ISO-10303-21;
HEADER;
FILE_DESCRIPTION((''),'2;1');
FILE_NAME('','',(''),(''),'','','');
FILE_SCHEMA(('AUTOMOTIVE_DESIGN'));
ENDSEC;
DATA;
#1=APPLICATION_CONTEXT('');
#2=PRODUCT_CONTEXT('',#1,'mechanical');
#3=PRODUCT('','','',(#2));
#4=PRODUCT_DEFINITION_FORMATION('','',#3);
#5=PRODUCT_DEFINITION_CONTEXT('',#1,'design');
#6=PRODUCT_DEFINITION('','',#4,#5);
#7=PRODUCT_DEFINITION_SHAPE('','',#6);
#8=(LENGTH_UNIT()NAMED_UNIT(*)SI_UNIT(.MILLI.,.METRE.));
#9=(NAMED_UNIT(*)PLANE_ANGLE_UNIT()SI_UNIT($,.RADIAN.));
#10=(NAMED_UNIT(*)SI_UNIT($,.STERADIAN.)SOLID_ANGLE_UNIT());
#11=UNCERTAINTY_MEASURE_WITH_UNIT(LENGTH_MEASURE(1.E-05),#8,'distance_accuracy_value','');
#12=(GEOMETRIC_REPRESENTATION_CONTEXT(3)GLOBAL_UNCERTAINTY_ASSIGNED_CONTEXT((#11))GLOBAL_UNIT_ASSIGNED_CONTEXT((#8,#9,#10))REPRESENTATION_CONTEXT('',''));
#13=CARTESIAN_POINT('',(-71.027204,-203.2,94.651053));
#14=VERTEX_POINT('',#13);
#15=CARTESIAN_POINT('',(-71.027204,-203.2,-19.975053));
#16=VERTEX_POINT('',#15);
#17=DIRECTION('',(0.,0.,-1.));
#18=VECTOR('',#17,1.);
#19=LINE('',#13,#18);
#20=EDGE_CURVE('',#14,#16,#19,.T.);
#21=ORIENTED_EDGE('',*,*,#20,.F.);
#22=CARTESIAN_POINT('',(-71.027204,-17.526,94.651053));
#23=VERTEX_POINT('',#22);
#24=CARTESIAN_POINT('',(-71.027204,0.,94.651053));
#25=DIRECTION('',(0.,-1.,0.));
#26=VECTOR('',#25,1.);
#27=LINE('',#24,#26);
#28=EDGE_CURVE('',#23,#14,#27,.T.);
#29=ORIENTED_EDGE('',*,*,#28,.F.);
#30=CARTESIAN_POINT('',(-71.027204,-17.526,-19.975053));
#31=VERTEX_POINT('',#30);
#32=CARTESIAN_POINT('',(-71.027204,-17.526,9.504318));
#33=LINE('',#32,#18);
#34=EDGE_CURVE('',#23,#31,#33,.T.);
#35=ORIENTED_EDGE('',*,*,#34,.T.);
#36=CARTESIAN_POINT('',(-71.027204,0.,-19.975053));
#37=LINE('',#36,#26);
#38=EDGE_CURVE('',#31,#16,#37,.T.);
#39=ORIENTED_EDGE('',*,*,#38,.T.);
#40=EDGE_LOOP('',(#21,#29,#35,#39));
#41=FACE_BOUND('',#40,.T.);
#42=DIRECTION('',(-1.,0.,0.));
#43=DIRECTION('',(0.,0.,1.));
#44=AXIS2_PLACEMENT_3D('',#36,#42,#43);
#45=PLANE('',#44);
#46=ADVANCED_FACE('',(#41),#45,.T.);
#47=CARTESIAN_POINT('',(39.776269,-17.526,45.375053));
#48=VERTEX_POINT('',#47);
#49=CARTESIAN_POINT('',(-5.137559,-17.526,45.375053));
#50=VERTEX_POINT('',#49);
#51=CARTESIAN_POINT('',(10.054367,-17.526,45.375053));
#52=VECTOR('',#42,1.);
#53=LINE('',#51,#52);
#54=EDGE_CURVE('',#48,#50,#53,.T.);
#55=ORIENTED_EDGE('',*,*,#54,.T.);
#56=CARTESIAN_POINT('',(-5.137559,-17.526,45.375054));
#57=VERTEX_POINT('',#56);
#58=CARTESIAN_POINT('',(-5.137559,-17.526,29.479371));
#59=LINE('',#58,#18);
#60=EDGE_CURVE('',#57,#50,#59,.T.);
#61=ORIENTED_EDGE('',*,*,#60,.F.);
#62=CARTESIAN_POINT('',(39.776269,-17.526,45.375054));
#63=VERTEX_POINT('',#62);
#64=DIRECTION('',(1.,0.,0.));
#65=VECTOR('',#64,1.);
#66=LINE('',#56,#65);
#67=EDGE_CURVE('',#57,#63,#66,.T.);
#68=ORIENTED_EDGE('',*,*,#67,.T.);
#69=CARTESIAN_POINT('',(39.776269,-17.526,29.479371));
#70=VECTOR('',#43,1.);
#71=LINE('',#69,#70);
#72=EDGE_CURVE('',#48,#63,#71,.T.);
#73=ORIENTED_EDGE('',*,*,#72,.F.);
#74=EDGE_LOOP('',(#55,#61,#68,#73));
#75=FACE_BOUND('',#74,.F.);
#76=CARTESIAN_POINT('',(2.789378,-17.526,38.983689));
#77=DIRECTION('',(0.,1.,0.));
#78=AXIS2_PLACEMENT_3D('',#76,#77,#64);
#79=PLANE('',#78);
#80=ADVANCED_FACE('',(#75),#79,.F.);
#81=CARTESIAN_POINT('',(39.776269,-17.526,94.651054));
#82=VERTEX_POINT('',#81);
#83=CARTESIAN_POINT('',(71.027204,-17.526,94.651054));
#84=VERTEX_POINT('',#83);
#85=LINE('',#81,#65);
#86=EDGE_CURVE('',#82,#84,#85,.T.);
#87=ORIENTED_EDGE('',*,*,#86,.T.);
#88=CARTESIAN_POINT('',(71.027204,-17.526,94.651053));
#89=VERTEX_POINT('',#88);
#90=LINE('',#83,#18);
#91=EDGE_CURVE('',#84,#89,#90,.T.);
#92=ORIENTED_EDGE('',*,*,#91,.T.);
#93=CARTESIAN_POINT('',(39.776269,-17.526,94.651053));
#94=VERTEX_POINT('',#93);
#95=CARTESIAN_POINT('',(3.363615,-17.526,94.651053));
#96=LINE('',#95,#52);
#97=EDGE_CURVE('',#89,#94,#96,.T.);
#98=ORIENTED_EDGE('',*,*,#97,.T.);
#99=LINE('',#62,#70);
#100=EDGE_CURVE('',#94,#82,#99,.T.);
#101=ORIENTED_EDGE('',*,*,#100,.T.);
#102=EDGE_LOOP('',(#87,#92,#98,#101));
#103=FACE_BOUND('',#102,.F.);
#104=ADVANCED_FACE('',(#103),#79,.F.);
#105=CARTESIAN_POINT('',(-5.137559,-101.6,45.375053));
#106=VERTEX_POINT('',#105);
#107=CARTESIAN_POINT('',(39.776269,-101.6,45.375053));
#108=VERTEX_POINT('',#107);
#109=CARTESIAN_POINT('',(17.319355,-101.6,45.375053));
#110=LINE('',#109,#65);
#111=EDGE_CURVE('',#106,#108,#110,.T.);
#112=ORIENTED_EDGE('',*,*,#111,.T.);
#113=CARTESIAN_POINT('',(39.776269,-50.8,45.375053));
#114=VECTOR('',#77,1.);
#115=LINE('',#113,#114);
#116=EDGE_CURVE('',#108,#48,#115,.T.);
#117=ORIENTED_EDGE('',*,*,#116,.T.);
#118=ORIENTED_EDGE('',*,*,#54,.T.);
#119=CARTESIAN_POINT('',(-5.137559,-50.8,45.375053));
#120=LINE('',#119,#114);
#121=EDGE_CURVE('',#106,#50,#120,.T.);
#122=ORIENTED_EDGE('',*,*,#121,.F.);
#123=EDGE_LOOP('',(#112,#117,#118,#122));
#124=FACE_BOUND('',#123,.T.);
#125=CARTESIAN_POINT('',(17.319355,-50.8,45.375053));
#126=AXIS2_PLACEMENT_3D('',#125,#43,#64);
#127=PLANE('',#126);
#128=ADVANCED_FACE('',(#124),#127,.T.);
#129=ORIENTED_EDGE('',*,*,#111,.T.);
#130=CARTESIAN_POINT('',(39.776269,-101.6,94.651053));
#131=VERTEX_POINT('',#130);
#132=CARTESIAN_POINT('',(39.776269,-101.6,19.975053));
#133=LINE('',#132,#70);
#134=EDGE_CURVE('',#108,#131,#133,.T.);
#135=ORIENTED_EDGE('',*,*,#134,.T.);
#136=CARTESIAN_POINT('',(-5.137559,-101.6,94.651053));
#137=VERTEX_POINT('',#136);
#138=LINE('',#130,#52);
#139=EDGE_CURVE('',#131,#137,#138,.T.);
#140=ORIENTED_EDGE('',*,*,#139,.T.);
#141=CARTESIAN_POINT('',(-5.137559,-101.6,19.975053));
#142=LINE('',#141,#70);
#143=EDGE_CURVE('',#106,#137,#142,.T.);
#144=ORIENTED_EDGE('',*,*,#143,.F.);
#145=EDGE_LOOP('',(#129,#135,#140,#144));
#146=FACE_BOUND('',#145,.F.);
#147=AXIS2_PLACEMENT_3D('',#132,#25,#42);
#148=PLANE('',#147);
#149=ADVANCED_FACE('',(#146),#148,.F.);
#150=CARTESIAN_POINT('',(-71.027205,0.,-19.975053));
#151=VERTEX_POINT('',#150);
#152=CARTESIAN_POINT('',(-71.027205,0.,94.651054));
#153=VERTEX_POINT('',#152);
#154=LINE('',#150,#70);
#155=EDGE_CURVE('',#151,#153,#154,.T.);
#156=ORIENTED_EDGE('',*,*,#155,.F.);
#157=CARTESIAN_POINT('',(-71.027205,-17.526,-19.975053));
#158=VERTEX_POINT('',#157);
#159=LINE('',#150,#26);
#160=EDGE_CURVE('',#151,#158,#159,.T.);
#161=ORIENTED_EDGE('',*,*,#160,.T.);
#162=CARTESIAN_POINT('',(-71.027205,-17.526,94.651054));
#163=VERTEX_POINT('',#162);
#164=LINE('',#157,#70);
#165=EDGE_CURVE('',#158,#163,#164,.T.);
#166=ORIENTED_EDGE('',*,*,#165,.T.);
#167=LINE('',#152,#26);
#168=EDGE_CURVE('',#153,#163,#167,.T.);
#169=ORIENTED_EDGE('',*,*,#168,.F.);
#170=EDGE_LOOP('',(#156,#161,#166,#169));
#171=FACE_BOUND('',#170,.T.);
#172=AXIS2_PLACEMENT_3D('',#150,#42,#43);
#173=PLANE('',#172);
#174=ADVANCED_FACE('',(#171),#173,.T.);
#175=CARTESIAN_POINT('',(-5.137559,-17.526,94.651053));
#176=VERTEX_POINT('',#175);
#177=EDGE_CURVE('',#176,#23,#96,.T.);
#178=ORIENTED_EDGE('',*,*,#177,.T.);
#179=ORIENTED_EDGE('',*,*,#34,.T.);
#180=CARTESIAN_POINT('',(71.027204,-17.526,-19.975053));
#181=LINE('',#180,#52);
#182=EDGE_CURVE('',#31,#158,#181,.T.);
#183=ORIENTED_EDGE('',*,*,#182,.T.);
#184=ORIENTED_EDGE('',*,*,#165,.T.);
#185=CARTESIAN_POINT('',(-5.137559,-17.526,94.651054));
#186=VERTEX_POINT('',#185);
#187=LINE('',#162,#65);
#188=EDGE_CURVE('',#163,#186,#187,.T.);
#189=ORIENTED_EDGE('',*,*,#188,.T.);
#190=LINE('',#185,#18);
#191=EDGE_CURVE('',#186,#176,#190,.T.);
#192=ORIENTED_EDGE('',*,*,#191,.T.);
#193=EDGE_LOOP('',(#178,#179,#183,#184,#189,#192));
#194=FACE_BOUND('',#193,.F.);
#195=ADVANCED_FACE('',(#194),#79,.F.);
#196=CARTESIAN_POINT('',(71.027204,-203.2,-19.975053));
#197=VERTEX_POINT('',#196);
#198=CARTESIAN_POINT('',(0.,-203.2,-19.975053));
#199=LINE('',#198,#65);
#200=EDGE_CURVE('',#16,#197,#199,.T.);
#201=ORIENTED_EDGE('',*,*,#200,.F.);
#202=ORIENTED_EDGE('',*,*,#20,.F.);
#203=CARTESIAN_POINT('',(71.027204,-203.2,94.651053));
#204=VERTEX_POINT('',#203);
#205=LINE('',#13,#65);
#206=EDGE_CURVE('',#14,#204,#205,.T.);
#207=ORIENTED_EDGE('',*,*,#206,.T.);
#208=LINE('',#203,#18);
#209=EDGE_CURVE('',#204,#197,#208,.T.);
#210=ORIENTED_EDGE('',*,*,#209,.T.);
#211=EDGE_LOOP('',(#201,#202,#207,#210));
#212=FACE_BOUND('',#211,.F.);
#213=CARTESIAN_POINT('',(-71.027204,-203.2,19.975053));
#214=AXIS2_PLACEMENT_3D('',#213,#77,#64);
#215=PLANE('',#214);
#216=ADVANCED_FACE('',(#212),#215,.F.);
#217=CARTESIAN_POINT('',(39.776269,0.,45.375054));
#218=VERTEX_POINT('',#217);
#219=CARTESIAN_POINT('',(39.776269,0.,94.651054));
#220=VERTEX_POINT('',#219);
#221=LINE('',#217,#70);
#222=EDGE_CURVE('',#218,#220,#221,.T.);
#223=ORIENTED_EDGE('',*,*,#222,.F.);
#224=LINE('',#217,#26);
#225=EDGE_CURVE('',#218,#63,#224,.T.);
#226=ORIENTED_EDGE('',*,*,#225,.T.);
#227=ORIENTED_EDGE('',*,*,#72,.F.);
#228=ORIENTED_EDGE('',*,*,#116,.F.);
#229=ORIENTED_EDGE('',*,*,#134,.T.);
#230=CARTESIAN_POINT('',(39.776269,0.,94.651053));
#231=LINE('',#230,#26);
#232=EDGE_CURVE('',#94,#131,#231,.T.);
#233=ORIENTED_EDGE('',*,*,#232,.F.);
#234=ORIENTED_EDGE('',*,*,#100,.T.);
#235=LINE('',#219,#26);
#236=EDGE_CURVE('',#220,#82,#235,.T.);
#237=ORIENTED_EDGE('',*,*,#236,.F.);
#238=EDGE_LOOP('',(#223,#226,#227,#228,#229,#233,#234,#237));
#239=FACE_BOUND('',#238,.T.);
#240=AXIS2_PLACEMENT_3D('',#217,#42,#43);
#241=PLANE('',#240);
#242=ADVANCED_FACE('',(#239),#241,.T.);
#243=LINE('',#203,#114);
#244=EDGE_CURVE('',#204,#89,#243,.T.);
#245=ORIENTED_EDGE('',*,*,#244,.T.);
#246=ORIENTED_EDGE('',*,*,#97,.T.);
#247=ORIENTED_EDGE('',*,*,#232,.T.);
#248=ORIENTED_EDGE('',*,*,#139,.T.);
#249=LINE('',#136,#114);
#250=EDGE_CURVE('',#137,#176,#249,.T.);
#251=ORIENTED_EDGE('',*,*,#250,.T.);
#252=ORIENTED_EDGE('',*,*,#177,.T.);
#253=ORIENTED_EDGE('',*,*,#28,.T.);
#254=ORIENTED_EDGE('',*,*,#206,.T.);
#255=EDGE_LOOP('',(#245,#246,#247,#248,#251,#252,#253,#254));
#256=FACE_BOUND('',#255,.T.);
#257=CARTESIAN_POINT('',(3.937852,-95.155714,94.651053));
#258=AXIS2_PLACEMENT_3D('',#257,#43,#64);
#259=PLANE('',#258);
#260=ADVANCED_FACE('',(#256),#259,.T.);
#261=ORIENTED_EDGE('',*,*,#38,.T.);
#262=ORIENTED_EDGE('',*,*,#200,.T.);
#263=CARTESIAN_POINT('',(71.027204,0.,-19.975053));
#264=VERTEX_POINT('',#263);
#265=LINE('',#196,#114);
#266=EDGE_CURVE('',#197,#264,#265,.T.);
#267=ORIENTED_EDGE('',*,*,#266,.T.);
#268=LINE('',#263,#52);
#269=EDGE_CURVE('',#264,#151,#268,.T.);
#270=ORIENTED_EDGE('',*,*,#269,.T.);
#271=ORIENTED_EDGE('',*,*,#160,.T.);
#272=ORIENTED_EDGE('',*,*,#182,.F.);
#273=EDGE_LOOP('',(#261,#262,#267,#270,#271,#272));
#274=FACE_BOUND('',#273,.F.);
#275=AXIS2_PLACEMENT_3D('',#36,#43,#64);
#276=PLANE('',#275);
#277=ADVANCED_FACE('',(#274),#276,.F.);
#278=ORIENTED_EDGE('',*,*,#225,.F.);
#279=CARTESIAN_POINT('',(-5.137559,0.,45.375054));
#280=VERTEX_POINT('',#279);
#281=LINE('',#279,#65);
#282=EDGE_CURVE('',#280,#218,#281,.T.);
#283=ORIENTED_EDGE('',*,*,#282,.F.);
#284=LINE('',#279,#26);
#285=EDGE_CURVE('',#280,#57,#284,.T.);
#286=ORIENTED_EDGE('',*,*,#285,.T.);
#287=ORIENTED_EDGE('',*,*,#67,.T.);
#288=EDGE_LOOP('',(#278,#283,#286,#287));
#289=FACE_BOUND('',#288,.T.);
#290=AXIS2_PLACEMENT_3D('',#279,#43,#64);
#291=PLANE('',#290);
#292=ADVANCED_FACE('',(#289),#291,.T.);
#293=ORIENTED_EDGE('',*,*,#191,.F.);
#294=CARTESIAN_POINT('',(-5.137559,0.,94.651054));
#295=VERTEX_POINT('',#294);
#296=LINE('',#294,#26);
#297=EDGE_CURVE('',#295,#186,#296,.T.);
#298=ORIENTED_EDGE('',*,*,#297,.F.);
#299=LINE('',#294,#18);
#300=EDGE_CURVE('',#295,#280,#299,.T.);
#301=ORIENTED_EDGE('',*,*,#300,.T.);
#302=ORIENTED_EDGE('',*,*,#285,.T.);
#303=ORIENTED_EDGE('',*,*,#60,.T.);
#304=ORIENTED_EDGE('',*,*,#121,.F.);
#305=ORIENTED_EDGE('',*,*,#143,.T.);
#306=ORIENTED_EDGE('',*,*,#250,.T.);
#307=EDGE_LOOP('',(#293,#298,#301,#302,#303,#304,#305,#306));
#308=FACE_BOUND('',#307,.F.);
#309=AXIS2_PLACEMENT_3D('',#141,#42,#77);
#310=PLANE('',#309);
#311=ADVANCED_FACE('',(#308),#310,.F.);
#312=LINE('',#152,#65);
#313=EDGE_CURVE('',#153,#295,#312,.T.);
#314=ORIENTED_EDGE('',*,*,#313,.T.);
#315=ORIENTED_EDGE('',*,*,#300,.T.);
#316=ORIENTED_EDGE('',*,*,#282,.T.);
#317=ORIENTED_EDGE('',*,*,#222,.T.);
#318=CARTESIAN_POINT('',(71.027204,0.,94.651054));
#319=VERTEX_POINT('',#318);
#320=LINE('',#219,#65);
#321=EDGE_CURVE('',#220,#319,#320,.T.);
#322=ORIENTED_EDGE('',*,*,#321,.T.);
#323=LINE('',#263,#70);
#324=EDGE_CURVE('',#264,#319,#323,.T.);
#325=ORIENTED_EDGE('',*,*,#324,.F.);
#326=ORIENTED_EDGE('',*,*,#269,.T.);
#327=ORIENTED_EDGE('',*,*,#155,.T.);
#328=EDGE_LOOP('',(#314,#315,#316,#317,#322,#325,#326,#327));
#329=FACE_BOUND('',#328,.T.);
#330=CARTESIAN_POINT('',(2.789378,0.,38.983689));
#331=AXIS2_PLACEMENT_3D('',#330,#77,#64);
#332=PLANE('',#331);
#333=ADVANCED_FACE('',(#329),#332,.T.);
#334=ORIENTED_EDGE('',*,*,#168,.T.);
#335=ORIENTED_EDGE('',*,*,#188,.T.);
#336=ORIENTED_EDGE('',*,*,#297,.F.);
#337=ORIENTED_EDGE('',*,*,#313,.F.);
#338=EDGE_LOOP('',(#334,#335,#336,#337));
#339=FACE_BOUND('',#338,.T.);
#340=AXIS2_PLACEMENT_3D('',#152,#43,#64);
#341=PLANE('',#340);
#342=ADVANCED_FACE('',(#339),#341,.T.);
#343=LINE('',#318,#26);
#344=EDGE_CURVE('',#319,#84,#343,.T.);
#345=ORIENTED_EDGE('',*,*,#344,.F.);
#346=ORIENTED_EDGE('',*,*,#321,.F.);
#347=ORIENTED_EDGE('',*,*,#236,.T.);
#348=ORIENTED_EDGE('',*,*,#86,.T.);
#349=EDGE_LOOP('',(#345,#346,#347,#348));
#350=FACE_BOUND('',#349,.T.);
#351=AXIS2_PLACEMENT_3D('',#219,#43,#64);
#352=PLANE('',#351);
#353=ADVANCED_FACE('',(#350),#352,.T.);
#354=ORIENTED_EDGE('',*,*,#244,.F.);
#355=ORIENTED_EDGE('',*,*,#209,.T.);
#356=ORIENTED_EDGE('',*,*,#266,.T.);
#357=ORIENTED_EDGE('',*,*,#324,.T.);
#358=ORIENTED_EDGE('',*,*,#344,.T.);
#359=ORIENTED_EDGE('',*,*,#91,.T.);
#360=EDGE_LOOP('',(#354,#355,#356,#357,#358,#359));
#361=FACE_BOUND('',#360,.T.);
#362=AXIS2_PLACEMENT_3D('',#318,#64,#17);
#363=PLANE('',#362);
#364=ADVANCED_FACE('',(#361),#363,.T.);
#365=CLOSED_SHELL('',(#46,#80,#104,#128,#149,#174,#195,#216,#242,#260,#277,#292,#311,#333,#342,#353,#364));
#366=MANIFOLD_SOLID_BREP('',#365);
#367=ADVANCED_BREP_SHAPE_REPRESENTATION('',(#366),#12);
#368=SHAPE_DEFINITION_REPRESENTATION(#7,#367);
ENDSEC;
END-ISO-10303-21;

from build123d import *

# Parameters (mm, degrees)
F0_W      = 142.054408
F0_H      = 39.950106
F1_DEPTH  = 203.2
F2_W      = 44.913828
F2_H      = 101.6
F3_DEPTH  = 25.4
F4_DEPTH  = 74.676
F4_FACE_W = 44.913828
F4_FACE_H = 49.276
F5_DEPTH  = 73.914
F6_DEPTH  = 64.008
F7_DEPTH  = 17.526
F8_R      = 12.974373
F9_DEPTH  = 96.012


with BuildPart() as f1:
    # F0 (on Front) → F1 (new body)
    with BuildSketch(Plane.XZ):
        Rectangle(F0_W, F0_H)
    extrude(amount=F1_DEPTH)

    # F2 (on face) → F3 (join)
    with BuildSketch(Plane.XY.offset(19.975053)):
        with Locations((17.319355, -50.8)):
            Rectangle(F2_W, F2_H)
    extrude(amount=F3_DEPTH)

    # F1_face (on face) → F4 (join)
    with BuildSketch(Plane(origin=(0, -101.6, 19.975053), x_dir=(1, 0, 0), z_dir=(0, 0, 1))):
        Polygon((71.027204, 101.6), (39.776269, 101.6), (39.776269, 0), (-5.137559, 0), (-5.137559, 101.6), (-71.027204, 101.6), (-71.027204, -101.6), (71.027204, -101.6), align=None)
    extrude(amount=F4_DEPTH)

    # F4_face (on face) → F5 (join)
    with BuildSketch(Plane(origin=(17.319355, -101.6, 70.013053), x_dir=(-1, 0, 0), z_dir=(0, 1, 0))):
        Rectangle(F4_FACE_W, F4_FACE_H)
    extrude(amount=-F5_DEPTH)

    # F4_face (on face) → F6 (join)
    with BuildSketch(Plane(origin=(17.319355, -101.6, 70.013053), x_dir=(-1, 0, 0), z_dir=(0, 1, 0))):
        Rectangle(F4_FACE_W, F4_FACE_H)
    extrude(amount=-F6_DEPTH)

    # F3_face (on face) → F7 (join)
    with BuildSketch(Plane(origin=(-2.724295, 0, 32.19829), x_dir=(1, 0, 0), z_dir=(0, 1, 0))):
        Polygon((73.751499, -62.452764), (73.751499, 52.173343), (-68.30291, 52.173343), (-68.30291, -62.452764), (-2.413264, -62.452764), (-2.413264, -13.176764), (42.500564, -13.176764), (42.500564, -62.452764), align=None)
    extrude(amount=-F7_DEPTH)

    # F8 (on face) → F9 (join)
    with BuildSketch(Plane.XY.offset(94.651053)):
        with Locations((-25.044408, -175.108269)):
            Circle(F8_R)
    extrude(amount=-F9_DEPTH)


solid = f1.part
